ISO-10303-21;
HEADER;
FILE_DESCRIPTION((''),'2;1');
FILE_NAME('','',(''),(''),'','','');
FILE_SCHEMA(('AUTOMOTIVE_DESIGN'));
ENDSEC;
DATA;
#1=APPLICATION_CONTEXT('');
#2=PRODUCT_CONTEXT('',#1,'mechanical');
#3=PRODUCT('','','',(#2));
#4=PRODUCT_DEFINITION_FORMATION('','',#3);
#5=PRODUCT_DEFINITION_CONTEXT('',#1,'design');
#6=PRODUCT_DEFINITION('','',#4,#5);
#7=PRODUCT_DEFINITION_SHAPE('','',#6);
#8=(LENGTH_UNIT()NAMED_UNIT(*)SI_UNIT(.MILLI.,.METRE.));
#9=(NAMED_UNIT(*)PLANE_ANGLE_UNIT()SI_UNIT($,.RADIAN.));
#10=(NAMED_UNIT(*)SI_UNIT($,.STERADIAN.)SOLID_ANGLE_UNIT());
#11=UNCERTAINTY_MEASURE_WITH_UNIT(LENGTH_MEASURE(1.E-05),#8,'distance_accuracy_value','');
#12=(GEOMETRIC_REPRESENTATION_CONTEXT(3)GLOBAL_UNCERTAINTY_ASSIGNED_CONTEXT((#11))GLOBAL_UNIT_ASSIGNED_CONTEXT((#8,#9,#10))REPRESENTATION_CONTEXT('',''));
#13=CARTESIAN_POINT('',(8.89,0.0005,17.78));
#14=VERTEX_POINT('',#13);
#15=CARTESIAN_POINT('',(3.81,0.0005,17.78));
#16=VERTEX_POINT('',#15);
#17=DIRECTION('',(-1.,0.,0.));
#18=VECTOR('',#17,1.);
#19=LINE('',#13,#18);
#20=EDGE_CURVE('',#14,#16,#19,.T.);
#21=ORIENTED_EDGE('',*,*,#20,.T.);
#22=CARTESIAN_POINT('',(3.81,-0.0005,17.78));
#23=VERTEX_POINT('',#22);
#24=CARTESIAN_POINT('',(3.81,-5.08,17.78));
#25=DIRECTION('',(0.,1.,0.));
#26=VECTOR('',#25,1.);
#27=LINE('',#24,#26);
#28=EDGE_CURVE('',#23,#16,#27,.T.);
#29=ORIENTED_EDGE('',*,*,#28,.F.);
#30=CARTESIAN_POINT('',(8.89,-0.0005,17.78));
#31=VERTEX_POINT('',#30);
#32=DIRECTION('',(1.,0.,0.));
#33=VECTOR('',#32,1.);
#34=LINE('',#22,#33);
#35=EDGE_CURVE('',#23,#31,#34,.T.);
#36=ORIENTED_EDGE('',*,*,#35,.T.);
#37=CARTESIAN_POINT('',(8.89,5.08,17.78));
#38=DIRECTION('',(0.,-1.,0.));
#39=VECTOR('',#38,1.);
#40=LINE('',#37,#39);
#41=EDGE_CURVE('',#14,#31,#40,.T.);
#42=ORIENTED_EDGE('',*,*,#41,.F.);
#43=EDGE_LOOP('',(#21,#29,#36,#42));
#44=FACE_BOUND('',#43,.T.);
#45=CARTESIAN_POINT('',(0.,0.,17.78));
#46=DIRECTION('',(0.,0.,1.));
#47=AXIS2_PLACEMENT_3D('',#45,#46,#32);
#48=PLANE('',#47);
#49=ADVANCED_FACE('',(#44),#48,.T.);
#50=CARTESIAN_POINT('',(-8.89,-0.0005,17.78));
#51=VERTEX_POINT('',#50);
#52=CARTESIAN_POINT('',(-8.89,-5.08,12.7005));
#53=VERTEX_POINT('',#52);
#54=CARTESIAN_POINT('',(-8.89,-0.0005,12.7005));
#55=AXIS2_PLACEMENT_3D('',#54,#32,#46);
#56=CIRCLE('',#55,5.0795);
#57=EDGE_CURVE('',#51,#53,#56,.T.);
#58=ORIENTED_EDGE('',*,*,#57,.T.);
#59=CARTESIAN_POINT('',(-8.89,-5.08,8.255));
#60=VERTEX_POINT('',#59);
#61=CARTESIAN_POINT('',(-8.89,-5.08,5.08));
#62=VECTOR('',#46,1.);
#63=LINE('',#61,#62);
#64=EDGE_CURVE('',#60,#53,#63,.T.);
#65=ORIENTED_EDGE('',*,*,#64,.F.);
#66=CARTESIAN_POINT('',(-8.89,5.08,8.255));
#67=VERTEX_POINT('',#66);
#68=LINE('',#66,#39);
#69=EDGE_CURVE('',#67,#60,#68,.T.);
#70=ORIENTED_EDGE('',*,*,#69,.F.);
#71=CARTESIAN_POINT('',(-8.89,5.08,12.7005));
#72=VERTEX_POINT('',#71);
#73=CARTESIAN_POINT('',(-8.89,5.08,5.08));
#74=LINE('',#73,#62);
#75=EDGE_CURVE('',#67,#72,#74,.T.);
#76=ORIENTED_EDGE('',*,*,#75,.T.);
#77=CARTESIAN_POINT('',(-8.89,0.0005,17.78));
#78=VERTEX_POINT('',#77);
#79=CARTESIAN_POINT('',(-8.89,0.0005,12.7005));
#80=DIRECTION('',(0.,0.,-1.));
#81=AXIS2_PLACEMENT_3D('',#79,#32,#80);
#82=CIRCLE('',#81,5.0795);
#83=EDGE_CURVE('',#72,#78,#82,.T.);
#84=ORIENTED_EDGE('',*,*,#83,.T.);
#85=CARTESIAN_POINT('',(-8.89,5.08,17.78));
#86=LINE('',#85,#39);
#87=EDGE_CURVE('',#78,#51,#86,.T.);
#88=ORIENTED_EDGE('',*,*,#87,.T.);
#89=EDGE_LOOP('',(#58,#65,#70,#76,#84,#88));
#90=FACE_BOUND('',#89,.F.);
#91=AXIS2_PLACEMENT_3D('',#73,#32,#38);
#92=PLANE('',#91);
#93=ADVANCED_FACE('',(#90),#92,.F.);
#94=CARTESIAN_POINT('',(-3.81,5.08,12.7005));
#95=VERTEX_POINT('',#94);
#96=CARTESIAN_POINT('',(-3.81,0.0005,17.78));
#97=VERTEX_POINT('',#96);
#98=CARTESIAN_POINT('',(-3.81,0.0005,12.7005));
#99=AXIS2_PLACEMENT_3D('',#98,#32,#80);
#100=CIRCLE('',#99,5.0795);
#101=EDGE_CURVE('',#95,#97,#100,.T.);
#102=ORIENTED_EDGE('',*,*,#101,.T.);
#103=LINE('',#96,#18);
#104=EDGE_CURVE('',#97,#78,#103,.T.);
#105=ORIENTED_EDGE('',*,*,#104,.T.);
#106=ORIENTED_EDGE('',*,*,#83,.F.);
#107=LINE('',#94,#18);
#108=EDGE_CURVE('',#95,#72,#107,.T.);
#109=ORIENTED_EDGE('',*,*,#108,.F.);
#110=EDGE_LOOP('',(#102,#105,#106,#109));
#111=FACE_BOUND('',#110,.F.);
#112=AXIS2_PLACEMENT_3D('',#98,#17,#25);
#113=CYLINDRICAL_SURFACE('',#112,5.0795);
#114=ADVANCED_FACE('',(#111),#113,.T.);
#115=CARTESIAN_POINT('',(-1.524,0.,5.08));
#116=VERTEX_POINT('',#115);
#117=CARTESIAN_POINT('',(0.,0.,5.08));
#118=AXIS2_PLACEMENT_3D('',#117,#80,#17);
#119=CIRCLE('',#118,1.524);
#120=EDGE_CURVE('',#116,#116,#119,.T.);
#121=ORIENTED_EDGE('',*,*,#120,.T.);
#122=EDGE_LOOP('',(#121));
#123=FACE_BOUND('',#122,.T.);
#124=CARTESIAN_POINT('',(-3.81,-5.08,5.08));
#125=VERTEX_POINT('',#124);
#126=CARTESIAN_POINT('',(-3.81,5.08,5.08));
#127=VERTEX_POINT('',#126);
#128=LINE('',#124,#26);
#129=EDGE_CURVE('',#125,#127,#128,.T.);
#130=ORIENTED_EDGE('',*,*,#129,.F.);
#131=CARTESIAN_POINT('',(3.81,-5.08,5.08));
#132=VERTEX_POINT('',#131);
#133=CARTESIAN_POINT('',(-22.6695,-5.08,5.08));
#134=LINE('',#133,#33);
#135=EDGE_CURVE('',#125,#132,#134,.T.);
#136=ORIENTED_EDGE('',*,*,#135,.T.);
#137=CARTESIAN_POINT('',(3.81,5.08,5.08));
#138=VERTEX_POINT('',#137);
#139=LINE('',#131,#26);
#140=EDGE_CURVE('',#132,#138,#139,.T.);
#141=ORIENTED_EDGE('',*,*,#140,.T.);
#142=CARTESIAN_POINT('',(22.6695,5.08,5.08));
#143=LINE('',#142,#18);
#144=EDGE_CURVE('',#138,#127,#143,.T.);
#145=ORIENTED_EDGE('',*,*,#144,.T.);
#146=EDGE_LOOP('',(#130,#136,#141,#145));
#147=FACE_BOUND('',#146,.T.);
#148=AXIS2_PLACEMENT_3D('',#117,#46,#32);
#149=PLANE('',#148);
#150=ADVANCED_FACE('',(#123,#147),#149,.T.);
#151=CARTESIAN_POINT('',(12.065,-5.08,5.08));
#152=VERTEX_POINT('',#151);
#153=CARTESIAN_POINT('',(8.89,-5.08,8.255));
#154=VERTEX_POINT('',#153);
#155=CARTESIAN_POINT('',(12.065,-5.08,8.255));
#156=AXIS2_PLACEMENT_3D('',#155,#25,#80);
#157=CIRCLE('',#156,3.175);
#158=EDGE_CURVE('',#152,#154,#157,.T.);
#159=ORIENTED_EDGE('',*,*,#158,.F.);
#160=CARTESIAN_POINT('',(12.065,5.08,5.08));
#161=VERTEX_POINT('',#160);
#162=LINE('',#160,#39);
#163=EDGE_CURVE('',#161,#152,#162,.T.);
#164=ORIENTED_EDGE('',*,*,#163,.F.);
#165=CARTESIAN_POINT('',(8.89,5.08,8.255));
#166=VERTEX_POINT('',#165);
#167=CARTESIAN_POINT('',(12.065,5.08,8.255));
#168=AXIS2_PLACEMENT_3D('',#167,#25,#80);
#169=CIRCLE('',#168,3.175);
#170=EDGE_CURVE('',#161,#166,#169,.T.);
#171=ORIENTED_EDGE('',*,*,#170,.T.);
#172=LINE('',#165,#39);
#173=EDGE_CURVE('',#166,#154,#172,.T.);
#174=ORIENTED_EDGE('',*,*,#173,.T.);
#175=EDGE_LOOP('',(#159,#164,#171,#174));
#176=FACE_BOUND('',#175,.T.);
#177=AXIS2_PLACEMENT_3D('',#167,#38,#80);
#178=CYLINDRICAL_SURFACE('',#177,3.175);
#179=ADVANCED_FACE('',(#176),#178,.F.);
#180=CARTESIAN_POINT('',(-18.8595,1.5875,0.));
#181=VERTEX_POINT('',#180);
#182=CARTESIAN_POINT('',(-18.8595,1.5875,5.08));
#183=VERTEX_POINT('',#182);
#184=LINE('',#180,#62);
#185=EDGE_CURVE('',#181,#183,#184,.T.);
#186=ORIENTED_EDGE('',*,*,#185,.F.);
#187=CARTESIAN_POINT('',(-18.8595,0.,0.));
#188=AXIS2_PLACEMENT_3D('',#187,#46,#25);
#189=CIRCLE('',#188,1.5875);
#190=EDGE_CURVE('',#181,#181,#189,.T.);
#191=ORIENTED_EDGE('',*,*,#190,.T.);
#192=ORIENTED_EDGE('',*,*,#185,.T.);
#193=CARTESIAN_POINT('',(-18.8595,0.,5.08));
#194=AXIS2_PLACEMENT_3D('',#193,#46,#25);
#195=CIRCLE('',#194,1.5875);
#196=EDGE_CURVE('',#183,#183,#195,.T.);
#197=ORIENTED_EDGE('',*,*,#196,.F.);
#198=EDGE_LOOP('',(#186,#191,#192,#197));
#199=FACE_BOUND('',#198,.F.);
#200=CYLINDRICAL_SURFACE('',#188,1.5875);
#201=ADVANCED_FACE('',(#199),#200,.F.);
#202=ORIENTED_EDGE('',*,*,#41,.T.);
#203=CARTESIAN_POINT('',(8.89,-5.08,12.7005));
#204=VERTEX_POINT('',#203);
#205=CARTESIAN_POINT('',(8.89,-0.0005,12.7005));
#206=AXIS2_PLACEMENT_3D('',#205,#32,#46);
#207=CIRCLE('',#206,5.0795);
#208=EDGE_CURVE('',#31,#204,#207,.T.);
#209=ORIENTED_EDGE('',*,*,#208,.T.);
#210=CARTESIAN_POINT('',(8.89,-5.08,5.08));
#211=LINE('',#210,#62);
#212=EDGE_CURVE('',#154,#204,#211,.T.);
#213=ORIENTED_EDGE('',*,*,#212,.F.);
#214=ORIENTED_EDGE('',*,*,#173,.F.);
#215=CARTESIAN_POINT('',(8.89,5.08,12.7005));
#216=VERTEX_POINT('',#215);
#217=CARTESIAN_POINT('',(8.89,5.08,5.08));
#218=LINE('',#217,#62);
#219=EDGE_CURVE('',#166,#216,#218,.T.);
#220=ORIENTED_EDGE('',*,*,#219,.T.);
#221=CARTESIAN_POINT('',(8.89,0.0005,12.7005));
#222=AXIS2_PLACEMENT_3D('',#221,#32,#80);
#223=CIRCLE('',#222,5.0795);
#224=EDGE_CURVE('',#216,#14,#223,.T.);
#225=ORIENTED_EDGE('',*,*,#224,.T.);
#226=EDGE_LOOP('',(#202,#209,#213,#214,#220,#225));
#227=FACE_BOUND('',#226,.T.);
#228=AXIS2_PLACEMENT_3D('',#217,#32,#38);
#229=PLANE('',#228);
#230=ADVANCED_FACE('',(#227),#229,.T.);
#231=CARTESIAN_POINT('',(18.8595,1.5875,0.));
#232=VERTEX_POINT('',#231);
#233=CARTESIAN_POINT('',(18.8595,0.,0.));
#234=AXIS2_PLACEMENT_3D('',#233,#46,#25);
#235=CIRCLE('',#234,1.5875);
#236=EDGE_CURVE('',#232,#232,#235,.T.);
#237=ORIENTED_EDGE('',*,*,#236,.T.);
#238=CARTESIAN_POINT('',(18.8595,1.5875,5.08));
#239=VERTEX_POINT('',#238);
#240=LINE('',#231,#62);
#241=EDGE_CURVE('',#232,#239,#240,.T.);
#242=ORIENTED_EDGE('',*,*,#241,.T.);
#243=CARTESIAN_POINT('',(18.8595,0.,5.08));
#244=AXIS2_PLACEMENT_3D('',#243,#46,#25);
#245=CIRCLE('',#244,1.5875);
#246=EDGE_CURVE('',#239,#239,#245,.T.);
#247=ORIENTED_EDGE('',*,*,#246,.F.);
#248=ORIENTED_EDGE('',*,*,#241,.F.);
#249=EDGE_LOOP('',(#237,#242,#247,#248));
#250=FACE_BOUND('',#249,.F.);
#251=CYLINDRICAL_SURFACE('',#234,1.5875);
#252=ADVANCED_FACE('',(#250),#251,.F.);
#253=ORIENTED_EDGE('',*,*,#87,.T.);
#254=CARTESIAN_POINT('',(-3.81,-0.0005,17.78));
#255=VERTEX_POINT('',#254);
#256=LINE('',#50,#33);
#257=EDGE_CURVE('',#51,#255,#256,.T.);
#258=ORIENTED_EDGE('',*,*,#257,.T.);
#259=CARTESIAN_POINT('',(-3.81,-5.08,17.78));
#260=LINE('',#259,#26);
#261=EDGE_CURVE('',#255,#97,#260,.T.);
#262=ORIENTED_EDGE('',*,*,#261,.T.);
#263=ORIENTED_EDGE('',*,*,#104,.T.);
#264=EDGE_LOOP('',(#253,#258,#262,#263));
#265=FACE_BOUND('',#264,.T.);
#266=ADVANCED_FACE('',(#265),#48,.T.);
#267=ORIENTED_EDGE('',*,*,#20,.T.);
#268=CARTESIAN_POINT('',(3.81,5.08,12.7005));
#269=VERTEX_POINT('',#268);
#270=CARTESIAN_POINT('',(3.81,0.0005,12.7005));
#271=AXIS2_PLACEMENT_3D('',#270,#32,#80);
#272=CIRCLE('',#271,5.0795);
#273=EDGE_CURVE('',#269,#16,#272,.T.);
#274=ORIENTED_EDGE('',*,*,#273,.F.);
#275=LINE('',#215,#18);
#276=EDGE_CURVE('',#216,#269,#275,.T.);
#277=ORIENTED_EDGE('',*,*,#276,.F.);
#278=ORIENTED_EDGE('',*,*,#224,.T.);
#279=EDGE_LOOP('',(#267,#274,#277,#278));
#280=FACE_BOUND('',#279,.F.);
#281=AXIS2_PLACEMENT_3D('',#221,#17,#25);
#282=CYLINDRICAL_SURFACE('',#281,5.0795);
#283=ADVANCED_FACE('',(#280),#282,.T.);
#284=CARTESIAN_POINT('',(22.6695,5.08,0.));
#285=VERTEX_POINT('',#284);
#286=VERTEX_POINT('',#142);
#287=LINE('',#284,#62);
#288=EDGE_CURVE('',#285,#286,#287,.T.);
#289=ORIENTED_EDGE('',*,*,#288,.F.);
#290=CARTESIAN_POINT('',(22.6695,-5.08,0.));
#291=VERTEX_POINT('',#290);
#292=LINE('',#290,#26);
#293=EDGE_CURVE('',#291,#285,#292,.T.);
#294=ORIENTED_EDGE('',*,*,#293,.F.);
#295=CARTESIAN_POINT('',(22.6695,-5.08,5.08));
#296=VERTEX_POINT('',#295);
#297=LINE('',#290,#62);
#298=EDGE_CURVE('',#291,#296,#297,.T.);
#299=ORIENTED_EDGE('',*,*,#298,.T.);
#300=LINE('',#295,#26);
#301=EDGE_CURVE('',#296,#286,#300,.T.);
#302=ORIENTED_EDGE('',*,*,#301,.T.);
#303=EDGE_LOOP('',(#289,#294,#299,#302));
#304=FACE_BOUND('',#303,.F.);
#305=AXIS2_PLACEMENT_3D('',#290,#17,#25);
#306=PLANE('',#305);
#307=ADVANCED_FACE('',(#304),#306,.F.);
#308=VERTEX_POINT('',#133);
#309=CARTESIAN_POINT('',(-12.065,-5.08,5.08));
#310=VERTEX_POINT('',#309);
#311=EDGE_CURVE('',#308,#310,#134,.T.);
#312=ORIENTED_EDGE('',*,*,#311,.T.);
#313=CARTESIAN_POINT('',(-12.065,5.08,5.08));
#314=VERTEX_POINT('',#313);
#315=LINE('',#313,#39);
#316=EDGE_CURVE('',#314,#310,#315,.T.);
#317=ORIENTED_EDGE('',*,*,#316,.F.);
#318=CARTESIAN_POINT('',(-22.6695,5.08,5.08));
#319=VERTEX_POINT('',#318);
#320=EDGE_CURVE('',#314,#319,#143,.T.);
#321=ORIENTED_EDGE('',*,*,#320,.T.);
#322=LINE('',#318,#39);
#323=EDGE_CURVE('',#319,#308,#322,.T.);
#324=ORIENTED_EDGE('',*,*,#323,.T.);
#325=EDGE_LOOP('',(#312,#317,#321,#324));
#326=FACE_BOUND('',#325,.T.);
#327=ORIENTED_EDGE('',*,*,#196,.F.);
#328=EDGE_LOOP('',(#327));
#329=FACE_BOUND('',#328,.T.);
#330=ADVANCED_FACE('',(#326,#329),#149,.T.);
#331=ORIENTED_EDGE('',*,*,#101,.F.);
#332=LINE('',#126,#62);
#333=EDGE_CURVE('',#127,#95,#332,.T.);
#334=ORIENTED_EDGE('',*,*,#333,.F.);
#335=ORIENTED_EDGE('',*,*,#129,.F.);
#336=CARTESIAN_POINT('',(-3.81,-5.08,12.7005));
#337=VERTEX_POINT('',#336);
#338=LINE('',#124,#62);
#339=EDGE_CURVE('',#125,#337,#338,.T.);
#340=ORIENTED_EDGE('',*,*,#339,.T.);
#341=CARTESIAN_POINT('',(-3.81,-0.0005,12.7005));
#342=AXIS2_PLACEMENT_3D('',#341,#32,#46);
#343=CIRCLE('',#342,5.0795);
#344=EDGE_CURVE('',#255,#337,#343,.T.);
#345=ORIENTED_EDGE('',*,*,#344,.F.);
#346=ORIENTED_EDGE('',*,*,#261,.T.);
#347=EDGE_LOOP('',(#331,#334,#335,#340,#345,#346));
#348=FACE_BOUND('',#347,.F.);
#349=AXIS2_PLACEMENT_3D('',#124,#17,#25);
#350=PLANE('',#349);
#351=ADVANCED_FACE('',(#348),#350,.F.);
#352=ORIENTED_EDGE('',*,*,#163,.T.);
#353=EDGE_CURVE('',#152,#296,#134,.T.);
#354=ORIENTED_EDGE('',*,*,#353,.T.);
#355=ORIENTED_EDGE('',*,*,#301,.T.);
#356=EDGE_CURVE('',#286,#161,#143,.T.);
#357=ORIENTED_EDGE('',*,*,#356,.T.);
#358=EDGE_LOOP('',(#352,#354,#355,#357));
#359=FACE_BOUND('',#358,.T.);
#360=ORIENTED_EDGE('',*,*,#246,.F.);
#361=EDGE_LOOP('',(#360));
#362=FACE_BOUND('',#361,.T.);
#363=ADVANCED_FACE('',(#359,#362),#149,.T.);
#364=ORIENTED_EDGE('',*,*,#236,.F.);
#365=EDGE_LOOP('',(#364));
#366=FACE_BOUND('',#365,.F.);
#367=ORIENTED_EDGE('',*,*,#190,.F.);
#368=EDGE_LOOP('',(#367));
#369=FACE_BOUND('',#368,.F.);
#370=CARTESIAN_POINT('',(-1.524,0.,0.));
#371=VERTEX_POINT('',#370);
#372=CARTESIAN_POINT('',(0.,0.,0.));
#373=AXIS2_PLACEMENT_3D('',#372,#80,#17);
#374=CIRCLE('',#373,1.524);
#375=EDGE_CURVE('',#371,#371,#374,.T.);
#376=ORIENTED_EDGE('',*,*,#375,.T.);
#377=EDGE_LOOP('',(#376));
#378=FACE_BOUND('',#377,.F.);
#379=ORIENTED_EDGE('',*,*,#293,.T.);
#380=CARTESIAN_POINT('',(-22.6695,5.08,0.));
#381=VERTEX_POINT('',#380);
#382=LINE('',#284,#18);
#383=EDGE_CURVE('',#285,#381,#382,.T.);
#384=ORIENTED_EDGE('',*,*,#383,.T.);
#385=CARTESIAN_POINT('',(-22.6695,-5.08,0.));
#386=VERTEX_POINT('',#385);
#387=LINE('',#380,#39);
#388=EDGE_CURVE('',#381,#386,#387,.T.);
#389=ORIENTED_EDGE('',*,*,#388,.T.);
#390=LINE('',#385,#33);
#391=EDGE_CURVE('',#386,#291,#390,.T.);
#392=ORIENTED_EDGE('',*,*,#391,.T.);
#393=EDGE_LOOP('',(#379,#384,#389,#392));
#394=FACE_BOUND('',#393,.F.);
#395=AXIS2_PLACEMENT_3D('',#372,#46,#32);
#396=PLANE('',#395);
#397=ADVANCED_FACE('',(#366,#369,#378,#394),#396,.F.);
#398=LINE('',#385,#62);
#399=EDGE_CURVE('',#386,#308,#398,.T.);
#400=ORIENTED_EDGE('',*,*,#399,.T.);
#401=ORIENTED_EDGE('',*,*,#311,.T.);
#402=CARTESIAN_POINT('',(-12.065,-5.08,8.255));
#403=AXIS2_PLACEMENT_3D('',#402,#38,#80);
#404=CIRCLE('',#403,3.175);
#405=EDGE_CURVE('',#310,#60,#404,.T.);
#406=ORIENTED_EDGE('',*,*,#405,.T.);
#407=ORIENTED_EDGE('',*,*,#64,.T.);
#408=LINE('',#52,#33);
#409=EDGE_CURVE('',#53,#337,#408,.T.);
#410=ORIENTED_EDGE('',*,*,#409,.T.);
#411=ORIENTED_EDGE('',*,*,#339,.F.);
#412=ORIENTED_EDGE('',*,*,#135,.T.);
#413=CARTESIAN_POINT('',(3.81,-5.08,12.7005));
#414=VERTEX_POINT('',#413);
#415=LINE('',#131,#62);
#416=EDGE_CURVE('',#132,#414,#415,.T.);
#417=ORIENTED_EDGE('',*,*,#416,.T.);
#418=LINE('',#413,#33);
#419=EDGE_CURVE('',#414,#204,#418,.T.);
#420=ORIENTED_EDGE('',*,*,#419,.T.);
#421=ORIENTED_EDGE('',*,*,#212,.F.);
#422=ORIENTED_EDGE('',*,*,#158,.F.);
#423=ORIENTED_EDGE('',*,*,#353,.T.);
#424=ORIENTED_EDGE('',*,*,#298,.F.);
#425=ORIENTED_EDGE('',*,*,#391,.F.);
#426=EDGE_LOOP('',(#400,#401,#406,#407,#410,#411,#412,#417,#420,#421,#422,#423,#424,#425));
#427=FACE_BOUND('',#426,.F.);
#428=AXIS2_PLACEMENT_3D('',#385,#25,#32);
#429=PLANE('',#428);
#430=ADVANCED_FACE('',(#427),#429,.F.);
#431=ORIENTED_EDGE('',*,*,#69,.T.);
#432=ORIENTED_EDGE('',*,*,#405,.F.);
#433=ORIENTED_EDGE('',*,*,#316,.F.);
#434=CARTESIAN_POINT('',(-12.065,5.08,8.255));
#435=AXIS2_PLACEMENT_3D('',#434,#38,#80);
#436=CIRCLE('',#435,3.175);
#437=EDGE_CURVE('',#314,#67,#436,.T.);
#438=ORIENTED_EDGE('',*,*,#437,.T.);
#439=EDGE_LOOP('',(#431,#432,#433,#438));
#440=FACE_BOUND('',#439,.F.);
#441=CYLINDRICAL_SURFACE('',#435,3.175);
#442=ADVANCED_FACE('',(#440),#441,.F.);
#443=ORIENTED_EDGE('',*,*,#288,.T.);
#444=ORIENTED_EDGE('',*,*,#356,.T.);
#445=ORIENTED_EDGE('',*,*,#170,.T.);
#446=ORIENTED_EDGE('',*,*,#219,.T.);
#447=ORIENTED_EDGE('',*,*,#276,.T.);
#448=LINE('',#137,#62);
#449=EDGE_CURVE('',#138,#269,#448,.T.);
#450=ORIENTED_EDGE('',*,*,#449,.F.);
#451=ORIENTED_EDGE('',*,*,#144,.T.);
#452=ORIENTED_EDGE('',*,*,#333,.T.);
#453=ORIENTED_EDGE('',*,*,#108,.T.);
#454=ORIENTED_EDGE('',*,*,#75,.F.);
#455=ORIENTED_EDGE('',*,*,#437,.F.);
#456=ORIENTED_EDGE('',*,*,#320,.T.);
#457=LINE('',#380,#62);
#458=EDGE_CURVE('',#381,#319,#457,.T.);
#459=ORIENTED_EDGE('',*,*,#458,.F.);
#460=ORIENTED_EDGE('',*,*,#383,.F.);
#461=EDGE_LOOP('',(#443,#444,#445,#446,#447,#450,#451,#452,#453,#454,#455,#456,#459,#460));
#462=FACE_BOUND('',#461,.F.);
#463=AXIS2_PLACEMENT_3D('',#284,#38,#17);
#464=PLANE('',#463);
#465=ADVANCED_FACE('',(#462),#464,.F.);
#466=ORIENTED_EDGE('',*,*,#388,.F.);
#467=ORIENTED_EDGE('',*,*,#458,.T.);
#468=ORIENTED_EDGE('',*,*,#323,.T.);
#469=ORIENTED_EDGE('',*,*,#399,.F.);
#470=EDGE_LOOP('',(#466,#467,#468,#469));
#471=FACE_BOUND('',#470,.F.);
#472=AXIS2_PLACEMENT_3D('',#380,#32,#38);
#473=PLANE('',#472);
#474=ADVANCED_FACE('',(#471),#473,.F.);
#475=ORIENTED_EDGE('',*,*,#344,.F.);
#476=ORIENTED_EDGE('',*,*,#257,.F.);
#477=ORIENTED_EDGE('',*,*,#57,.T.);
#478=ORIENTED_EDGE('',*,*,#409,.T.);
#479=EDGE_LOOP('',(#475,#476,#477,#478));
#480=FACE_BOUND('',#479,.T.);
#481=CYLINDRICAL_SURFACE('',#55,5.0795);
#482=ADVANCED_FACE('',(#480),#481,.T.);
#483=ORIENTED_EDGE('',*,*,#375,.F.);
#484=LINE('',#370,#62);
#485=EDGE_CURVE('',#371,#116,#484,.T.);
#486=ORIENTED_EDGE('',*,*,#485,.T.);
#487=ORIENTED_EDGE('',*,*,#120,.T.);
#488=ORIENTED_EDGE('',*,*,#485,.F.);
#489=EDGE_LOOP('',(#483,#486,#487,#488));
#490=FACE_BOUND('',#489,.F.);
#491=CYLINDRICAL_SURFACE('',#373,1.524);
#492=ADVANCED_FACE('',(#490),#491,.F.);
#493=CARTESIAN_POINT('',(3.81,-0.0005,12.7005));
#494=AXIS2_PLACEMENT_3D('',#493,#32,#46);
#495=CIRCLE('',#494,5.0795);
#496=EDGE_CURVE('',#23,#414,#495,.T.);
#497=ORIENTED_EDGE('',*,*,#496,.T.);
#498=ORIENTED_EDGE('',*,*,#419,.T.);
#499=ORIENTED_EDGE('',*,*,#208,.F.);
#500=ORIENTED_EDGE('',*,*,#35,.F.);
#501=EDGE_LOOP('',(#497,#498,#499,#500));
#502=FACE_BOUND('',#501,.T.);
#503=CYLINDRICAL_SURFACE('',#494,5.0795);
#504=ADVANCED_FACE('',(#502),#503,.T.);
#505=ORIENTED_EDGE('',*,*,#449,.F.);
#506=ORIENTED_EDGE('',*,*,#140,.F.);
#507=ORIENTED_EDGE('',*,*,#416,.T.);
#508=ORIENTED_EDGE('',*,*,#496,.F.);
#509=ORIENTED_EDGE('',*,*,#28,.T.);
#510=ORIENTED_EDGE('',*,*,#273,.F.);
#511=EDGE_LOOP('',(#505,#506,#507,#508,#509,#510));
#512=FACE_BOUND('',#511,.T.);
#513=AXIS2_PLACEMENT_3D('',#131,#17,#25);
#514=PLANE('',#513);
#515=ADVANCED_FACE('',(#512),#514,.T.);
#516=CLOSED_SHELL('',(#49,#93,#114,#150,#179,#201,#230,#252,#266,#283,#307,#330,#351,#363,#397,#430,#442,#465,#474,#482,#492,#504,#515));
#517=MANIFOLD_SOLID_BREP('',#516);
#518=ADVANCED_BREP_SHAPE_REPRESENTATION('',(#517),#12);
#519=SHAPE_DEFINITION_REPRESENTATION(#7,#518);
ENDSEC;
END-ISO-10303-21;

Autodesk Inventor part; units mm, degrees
ref_plane "YZ Plane" through (0, 0, 0) normal (1, 0, 0) x (0, 1, 0)
ref_plane "XZ Plane" through (0, 0, 0) normal (0, 1, 0) x (-1, 0, 0)
ref_plane "XY Plane" through (0, 0, 0) normal (0, 0, 1) x (1, 0, 0)
sketch "Sketch1" plane through (0, 0, 0) normal (0, 0, 1) x (1, 0, 0)
  line L0 (-22.6695, -5.08) -> (22.6695, -5.08)
  line L1 (22.6695, -5.08) -> (22.6695, 5.08)
  line L2 (22.6695, 5.08) -> (-22.6695, 5.08)
  line L3 (-22.6695, 5.08) -> (-22.6695, -5.08)
  line L4 (-22.6695, -5.08) -> (22.6695, 5.08) construction
  line L5 (22.6695, -5.08) -> (-22.6695, 5.08) construction
  point P0 (0, 0)
  dimension "d0" = 10.16
  dimension "d1" = 45.339
extrude "Extrusion1" add sketch "Sketch1" along normal blind 5.08
sketch "Sketch2" plane through (0, 0, 0) normal (0, 0, -1) x (-1, 0, 0)
  line L0 (22.6695, 5.08) -> (22.6695, -5.08) projected
  line L1 (-22.6695, -5.08) -> (-22.6695, 5.08) projected
  line L2 (-22.6695, 5.08) -> (22.6695, 5.08) projected
  point P0 (0, 0)
  point P1 (18.8595, 0)
  point P2 (-18.8595, 0)
  dimension "d4" = 3.81
  dimension "d5" = 3.81
  dimension "d6" = 5.08
  dimension "d7" = 5.08
hole "Hole1" at (-18.8595, 0, 0) at (18.8595, 0, 0) direction (0, 0, 1) diameter 3.175 end through all
sketch "Sketch3" plane through (0, 0, 0) normal (0, 0, -1) x (-1, 0, 0)
  circle A0 centre (0, 0) radius 1.524
  dimension "d15" = 3.048
extrude "Extrusion2" cut sketch "Sketch3" against normal through all
sketch "Sketch4" plane through (0, 0, 5.08) normal (0, 0, 1) x (1, 0, 0)
  line L0 (22.6695, 5.08) -> (-22.6695, 5.08) projected
  line L1 (-22.6695, -5.08) -> (22.6695, -5.08) projected
  line L2 (-3.81, 5.08) -> (-8.89, 5.08)
  line L3 (-8.89, 5.08) -> (-8.89, -5.08)
  line L4 (-8.89, -5.08) -> (-3.81, -5.08)
  line L5 (-3.81, -5.08) -> (-3.81, 5.08)
  line L6 (3.81, 5.08) -> (8.89, 5.08)
  line L7 (8.89, 5.08) -> (8.89, -5.08)
  line L8 (8.89, -5.08) -> (3.81, -5.08)
  line L9 (3.81, -5.08) -> (3.81, 5.08)
  point P0 (0, 0)
  dimension "d18" = 5.08
  dimension "d19" = 3.81
  dimension "d20" = 3.81
  dimension "d21" = 5.08
extrude "Extrusion3" add sketch "Sketch4" along normal blind 12.7 contours L7 L1 L9 L0 | L5 L1 L3 L0
fillet "Fillet1" radius 3.175 2 edges at (-8.89, 0, 5.08) (8.89, 0, 5.08)
fillet "Fillet2" radius 5.08 4 edges at (6.35, -5.08, 17.78) (6.35, 5.08, 17.78) (-6.35, -5.08, 17.78) (-6.35, 5.08, 17.78)
properties part number "LowerSpringMountFrontV1nohole"
